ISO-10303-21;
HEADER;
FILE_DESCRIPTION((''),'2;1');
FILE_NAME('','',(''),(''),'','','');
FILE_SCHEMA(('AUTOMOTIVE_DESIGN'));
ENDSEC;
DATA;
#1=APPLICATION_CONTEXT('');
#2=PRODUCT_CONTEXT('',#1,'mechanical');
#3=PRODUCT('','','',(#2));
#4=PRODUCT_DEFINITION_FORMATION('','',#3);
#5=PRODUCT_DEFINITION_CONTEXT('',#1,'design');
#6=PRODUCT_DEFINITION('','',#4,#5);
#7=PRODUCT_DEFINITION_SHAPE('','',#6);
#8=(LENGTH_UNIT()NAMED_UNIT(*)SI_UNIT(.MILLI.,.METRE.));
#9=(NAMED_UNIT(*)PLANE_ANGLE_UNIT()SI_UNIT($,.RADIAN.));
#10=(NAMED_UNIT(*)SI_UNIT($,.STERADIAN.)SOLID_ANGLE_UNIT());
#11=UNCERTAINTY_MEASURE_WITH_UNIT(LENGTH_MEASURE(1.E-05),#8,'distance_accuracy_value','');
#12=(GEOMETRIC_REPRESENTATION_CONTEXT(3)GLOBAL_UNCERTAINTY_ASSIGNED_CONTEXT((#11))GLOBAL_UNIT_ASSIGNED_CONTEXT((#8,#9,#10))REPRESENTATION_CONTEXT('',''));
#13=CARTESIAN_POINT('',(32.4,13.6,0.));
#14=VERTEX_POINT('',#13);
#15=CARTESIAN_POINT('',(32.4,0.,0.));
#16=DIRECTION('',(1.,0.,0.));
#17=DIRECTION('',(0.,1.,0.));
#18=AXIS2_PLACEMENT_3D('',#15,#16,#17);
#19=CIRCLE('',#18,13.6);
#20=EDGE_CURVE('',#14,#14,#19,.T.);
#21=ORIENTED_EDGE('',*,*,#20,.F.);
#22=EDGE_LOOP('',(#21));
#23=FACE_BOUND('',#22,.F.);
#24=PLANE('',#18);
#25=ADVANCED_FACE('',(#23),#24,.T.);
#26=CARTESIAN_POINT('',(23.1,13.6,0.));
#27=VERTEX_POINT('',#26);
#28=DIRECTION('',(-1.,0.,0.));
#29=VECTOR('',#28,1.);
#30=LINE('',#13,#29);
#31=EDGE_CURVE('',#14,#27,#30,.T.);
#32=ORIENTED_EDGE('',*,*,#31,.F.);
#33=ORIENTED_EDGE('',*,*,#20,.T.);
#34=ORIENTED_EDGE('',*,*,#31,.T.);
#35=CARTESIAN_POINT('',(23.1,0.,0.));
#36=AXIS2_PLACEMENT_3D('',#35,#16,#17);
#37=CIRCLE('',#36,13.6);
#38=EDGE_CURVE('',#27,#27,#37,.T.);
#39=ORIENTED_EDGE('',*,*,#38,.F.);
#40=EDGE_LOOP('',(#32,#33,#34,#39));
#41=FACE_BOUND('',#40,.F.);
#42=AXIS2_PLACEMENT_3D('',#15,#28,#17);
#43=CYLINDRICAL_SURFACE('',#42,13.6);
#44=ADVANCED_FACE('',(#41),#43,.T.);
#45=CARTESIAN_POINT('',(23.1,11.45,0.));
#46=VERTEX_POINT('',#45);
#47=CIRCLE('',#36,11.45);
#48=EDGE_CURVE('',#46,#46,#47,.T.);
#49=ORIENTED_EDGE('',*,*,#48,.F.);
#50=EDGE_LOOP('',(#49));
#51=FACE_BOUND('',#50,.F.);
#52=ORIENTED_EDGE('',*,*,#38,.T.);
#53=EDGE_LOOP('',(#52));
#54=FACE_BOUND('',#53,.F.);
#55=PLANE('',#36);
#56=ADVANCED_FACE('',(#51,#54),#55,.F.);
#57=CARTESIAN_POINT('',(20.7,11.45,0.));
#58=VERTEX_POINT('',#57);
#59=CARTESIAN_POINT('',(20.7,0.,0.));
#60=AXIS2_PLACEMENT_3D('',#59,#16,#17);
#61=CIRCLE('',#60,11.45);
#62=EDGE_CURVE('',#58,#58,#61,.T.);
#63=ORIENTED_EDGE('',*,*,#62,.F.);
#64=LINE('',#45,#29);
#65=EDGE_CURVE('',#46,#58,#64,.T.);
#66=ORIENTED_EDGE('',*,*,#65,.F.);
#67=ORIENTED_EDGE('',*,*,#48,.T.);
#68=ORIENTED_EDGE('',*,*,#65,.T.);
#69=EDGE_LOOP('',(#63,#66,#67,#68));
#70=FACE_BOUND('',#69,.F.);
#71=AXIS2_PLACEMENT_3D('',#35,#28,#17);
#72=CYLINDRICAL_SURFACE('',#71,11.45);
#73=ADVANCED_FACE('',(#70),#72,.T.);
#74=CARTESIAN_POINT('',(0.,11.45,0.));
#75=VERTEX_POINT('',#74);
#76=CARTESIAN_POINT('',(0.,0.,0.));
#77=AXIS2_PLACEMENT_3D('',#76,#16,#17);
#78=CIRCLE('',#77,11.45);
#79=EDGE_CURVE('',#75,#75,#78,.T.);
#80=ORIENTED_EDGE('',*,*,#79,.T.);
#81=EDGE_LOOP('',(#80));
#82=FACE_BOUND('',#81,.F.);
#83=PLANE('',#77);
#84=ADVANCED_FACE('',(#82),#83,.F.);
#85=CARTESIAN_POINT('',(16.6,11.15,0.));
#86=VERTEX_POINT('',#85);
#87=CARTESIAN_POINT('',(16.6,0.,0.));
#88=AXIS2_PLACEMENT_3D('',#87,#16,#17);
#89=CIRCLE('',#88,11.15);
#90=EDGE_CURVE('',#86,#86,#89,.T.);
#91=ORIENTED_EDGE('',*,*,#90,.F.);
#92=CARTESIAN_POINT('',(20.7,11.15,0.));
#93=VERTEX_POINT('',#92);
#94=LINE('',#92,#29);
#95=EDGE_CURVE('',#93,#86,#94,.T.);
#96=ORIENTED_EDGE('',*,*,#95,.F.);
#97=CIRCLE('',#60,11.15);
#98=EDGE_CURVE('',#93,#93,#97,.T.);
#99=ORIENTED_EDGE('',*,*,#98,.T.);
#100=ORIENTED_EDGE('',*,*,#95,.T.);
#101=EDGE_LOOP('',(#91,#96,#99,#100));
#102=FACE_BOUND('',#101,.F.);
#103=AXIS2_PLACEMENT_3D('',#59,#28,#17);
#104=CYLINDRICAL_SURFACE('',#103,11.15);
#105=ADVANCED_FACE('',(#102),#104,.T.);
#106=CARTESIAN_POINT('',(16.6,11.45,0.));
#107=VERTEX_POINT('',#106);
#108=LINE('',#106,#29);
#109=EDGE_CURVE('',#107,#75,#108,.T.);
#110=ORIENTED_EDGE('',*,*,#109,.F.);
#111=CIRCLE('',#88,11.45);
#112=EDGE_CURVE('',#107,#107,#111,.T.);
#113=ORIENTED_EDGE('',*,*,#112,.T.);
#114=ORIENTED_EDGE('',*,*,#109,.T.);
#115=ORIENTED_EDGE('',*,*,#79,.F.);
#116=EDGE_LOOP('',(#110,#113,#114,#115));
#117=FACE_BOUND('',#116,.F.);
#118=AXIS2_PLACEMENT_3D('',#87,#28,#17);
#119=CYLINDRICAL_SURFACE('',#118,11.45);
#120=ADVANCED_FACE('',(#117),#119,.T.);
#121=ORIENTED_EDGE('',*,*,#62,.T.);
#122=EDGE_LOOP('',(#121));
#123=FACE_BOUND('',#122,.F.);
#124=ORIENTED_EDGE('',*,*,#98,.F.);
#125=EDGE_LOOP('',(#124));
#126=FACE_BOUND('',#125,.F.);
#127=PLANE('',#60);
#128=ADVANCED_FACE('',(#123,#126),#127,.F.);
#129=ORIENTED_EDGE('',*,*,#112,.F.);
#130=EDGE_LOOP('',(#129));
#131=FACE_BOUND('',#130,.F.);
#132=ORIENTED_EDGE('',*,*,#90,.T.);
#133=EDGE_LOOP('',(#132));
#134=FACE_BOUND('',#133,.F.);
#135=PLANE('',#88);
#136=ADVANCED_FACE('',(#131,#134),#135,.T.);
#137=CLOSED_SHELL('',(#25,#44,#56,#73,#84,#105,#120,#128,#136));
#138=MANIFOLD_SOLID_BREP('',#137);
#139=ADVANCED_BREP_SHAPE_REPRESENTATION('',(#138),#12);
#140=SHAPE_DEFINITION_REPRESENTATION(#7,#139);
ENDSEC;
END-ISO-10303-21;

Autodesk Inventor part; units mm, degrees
ref_plane "YZ Plane" through (0, 0, 0) normal (1, 0, 0) x (0, 1, 0)
ref_plane "XZ Plane" through (0, 0, 0) normal (0, 1, 0) x (-1, 0, 0)
ref_plane "XY Plane" through (0, 0, 0) normal (0, 0, 1) x (1, 0, 0)
sketch "Skizze1" plane through (0, 0, 0) normal (0, 0, 1) x (1, 0, 0)
  line L0 (0, 0) -> (16.6, 0)
  line L1 (16.6, 0) -> (16.6, 11.45)
  line L2 (16.6, 11.45) -> (0, 11.45)
  line L3 (0, 11.45) -> (0, 0)
  line L4 (16.6, 0) -> (20.7, 0)
  line L5 (20.7, 0) -> (20.7, 11.15)
  line L6 (20.7, 11.15) -> (16.6, 11.15)
  line L7 (16.6, 11.15) -> (16.6, 0)
  line L8 (20.7, 0) -> (23.1, 0)
  line L9 (23.1, 0) -> (23.1, 11.45)
  line L10 (23.1, 11.45) -> (20.7, 11.45)
  line L11 (20.7, 11.45) -> (20.7, 0)
  line L12 (23.1, 0) -> (32.4, 0)
  line L13 (32.4, 0) -> (32.4, 13.6)
  line L14 (32.4, 13.6) -> (23.1, 13.6)
  line L15 (23.1, 13.6) -> (23.1, 0)
  dimension "d1" = 11.45
  dimension "d2" = 4.1
  dimension "d3" = 11.15
  dimension "d4" = 2.4
  dimension "d5" = 9.3
  dimension "d6" = 13.6
  dimension "d8" = 32.4
revolve "Umdrehung1" add sketch "Skizze1" angle 360 about axis through (0, 0, 0) along (1, 0, 0)
properties part number "00_Eyepiece_WF20x 23,2mm"
